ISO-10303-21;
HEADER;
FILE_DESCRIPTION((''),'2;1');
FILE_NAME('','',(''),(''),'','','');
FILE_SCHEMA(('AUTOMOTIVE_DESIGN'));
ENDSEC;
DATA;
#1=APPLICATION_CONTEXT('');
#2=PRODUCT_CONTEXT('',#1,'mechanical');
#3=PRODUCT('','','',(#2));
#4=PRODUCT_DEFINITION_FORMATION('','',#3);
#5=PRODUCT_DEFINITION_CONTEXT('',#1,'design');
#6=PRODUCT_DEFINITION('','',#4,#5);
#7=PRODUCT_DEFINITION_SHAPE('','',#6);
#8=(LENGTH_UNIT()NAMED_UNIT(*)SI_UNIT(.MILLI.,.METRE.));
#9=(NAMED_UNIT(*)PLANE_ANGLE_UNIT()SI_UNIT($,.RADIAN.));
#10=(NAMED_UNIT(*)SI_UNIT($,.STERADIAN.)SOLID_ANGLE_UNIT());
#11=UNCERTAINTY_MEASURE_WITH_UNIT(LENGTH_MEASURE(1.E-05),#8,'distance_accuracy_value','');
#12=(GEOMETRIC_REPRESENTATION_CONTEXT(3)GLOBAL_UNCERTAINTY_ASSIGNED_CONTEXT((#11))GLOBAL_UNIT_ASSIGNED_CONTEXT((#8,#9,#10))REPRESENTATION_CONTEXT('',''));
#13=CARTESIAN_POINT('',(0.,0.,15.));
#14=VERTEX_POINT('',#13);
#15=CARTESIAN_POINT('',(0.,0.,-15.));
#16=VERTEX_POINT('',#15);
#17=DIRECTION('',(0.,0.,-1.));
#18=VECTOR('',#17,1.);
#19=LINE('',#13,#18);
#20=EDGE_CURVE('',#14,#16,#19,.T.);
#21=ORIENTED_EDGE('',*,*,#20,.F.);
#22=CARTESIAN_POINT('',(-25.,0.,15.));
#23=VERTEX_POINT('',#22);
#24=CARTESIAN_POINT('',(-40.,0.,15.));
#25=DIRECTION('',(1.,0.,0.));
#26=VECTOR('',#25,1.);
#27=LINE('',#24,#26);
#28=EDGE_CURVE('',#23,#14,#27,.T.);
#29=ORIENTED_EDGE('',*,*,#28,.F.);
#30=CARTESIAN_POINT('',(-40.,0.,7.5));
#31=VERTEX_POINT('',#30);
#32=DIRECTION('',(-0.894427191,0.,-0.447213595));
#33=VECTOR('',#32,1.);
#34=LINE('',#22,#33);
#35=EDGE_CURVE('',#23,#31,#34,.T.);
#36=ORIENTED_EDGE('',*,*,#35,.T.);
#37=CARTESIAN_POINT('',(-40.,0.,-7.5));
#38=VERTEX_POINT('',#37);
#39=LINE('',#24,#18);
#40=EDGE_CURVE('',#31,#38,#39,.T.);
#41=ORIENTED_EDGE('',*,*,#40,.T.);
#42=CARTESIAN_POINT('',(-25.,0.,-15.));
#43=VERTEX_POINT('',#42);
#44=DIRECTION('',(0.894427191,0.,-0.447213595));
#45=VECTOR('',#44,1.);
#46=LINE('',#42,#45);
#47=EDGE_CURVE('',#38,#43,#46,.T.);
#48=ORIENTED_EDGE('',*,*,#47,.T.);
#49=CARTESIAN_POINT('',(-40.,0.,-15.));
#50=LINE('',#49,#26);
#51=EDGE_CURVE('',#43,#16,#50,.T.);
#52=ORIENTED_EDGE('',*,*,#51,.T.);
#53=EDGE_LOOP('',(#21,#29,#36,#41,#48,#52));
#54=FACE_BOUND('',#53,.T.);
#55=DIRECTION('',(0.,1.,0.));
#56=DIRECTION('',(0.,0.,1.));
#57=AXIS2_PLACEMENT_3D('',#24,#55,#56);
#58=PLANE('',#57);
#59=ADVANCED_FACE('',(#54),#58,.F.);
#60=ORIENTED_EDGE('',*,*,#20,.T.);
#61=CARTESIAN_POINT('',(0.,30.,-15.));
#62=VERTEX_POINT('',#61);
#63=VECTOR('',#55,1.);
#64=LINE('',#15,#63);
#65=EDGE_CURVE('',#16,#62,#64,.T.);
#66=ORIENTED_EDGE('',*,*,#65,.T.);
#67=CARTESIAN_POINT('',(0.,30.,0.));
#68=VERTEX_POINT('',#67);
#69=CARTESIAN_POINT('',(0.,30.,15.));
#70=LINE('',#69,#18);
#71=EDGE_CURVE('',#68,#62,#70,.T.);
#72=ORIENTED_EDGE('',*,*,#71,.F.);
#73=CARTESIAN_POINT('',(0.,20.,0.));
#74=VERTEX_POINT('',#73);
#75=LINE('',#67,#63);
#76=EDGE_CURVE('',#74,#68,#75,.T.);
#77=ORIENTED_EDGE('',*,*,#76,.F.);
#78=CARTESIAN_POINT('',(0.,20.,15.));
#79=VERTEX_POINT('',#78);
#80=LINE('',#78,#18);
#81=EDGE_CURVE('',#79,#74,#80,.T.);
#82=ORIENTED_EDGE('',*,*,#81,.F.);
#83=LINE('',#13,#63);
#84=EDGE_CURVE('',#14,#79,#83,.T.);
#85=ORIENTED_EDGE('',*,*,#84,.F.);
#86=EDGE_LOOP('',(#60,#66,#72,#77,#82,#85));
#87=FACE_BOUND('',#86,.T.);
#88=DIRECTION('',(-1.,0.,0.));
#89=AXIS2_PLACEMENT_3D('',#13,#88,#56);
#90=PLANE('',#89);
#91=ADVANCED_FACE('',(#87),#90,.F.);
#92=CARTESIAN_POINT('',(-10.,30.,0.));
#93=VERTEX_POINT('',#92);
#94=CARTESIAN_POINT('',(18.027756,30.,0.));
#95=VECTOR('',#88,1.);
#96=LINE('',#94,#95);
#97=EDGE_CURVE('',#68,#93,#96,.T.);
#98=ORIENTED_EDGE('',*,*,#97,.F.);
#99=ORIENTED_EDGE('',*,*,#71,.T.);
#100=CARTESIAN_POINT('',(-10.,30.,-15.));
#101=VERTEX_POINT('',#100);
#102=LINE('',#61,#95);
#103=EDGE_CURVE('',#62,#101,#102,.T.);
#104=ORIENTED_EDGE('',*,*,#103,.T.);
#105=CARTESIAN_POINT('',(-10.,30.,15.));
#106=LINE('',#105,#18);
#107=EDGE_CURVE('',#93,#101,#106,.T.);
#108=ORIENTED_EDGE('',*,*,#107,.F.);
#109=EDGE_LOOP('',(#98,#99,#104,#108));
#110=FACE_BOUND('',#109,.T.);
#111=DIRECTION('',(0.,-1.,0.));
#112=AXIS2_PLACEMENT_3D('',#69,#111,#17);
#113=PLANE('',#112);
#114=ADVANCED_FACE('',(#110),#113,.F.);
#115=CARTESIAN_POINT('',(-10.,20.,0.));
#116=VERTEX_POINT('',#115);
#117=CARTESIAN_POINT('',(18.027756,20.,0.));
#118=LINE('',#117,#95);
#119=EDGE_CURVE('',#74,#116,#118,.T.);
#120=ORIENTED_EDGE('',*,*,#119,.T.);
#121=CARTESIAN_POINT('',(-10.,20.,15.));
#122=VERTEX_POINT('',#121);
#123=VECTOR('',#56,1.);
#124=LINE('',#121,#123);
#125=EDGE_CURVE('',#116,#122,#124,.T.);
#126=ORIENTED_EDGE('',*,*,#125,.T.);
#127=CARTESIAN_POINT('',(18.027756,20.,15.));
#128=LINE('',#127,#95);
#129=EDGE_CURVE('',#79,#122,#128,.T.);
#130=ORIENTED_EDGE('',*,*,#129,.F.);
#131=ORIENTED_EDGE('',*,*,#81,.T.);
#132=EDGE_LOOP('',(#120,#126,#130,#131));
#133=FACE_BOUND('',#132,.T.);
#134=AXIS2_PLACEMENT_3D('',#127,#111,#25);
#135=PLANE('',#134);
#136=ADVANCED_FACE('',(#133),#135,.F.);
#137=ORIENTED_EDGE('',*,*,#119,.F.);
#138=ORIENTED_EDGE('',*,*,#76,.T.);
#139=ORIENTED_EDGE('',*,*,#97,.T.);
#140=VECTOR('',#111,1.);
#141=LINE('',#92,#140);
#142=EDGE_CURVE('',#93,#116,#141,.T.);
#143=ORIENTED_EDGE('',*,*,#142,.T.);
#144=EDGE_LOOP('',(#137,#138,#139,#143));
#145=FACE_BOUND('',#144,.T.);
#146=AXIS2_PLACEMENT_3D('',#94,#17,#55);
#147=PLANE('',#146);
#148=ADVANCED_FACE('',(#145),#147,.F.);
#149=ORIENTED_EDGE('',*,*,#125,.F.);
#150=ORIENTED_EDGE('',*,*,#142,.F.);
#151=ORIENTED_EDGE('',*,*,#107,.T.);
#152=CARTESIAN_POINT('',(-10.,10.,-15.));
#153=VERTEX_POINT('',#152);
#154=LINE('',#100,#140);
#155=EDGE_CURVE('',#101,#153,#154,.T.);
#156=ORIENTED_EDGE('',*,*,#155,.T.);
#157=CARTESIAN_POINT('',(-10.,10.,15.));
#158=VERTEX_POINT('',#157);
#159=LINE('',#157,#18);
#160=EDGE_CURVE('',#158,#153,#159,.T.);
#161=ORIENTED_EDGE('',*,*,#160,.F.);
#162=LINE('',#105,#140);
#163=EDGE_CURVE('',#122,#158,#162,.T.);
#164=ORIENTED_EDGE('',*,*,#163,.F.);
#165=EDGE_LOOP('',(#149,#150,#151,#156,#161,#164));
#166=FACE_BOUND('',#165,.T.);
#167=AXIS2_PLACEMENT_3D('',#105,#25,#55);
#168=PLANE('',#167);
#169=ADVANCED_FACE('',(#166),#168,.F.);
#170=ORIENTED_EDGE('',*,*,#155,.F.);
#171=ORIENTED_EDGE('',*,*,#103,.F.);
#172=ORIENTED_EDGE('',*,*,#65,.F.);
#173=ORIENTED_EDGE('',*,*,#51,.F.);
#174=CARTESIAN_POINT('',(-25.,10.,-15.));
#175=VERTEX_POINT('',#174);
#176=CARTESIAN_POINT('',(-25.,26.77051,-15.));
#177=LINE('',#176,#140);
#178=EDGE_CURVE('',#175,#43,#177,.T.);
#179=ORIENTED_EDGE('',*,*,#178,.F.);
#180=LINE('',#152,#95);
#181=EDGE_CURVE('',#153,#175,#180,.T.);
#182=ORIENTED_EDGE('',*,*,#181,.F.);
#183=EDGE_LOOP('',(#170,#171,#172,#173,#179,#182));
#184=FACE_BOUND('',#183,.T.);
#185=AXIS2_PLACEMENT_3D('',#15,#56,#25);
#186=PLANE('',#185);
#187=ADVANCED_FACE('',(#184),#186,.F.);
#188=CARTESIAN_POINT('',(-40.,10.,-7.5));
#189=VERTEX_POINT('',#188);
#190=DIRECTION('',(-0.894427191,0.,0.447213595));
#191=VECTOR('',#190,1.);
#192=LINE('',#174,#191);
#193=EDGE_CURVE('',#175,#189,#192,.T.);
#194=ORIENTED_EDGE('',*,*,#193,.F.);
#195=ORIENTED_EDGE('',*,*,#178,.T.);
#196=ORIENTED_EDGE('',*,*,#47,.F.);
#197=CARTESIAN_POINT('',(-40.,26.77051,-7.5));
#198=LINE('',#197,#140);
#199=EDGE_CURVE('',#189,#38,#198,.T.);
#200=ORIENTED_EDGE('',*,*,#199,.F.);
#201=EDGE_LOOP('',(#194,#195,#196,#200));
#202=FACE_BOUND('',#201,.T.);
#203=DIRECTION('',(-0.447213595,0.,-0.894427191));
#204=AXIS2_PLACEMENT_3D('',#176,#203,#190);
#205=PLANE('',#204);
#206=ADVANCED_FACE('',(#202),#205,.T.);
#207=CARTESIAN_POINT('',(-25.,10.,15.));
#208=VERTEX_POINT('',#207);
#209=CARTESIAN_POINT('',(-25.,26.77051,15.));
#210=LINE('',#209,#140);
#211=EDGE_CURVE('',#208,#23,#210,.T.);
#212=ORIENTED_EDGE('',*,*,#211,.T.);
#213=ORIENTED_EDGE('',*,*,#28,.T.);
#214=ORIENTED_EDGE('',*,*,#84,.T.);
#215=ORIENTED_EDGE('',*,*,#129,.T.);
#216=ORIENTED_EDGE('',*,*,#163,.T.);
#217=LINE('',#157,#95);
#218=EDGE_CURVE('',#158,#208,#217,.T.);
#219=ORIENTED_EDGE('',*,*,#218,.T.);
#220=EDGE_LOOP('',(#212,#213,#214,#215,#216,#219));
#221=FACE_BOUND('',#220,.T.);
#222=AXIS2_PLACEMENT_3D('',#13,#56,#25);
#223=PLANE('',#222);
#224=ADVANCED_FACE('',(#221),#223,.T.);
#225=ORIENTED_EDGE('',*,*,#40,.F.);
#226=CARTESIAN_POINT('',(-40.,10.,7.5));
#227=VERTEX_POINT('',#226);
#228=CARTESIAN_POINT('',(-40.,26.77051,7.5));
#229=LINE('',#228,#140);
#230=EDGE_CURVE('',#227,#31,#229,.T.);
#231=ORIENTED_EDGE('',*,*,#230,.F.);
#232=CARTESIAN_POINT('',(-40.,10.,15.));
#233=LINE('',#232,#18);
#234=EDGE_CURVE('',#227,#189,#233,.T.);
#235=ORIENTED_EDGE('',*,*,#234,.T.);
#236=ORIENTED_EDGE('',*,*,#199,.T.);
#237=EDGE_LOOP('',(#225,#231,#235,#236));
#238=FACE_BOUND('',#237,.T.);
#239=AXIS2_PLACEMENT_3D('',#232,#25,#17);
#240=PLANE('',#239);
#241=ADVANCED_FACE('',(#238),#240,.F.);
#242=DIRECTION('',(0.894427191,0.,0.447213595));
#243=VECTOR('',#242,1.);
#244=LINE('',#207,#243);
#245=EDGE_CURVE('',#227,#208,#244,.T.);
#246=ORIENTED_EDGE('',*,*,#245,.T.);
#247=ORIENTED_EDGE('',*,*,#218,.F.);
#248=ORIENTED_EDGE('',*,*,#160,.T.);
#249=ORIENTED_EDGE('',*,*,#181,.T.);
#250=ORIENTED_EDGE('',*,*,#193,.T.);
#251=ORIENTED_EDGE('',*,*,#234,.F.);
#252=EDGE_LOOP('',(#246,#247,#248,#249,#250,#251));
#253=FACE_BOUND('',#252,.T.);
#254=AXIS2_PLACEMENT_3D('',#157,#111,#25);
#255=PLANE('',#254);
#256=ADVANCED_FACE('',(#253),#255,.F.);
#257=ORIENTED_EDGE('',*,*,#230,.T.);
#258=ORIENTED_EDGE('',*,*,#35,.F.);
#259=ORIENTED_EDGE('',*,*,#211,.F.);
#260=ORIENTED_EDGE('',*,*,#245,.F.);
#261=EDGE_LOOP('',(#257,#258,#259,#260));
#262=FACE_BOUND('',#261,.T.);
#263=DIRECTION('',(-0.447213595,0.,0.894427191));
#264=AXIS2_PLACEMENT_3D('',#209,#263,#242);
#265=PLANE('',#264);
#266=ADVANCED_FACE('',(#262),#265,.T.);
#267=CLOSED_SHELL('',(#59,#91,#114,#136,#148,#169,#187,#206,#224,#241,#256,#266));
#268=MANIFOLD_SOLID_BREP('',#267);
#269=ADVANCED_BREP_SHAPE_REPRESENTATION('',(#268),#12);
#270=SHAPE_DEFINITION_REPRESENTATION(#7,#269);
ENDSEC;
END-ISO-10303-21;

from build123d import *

# Parameters (mm, degrees)
Y_KSEKLIK_EKSTR_ZYON1_DEPTH = 15
KES_EKSTR_ZYON1_DEPTH       = 10
IZIM4_W                     = 15
IZIM4_H                     = 10
KES_EKSTR_ZYON2_DEPTH       = 10


with BuildPart() as part:
    # Çizim2 → Yükseklik-Ekstrüzyon1 (new, symmetric)
    with BuildSketch(Plane.XY):
        Polygon((0, 0), (0, 30), (-10, 30), (-10, 10), (-40, 10), (-40, 0), align=None)
    extrude(amount=Y_KSEKLIK_EKSTR_ZYON1_DEPTH, both=True)

    # Çizim3 → Kes-Ekstrüzyon1 (cut)
    with BuildSketch(Plane(origin=(0, 0, 0), x_dir=(1, 0, 0), z_dir=(0, 1, 0))):
        Polygon((-40, 15), (-25, 15), (-40, 7.5), align=None)
        Polygon((-25, -15), (-40, -7.5), (-40, -15), align=None)
    extrude(amount=KES_EKSTR_ZYON1_DEPTH, mode=Mode.SUBTRACT)

    # Çizim4 → Kes-Ekstrüzyon2 (cut)
    with BuildSketch(Plane.ZY.offset(10)):
        with Locations((7.5, 25)):
            Rectangle(IZIM4_W, IZIM4_H)
    extrude(amount=-KES_EKSTR_ZYON2_DEPTH, mode=Mode.SUBTRACT)


solid = part.part
